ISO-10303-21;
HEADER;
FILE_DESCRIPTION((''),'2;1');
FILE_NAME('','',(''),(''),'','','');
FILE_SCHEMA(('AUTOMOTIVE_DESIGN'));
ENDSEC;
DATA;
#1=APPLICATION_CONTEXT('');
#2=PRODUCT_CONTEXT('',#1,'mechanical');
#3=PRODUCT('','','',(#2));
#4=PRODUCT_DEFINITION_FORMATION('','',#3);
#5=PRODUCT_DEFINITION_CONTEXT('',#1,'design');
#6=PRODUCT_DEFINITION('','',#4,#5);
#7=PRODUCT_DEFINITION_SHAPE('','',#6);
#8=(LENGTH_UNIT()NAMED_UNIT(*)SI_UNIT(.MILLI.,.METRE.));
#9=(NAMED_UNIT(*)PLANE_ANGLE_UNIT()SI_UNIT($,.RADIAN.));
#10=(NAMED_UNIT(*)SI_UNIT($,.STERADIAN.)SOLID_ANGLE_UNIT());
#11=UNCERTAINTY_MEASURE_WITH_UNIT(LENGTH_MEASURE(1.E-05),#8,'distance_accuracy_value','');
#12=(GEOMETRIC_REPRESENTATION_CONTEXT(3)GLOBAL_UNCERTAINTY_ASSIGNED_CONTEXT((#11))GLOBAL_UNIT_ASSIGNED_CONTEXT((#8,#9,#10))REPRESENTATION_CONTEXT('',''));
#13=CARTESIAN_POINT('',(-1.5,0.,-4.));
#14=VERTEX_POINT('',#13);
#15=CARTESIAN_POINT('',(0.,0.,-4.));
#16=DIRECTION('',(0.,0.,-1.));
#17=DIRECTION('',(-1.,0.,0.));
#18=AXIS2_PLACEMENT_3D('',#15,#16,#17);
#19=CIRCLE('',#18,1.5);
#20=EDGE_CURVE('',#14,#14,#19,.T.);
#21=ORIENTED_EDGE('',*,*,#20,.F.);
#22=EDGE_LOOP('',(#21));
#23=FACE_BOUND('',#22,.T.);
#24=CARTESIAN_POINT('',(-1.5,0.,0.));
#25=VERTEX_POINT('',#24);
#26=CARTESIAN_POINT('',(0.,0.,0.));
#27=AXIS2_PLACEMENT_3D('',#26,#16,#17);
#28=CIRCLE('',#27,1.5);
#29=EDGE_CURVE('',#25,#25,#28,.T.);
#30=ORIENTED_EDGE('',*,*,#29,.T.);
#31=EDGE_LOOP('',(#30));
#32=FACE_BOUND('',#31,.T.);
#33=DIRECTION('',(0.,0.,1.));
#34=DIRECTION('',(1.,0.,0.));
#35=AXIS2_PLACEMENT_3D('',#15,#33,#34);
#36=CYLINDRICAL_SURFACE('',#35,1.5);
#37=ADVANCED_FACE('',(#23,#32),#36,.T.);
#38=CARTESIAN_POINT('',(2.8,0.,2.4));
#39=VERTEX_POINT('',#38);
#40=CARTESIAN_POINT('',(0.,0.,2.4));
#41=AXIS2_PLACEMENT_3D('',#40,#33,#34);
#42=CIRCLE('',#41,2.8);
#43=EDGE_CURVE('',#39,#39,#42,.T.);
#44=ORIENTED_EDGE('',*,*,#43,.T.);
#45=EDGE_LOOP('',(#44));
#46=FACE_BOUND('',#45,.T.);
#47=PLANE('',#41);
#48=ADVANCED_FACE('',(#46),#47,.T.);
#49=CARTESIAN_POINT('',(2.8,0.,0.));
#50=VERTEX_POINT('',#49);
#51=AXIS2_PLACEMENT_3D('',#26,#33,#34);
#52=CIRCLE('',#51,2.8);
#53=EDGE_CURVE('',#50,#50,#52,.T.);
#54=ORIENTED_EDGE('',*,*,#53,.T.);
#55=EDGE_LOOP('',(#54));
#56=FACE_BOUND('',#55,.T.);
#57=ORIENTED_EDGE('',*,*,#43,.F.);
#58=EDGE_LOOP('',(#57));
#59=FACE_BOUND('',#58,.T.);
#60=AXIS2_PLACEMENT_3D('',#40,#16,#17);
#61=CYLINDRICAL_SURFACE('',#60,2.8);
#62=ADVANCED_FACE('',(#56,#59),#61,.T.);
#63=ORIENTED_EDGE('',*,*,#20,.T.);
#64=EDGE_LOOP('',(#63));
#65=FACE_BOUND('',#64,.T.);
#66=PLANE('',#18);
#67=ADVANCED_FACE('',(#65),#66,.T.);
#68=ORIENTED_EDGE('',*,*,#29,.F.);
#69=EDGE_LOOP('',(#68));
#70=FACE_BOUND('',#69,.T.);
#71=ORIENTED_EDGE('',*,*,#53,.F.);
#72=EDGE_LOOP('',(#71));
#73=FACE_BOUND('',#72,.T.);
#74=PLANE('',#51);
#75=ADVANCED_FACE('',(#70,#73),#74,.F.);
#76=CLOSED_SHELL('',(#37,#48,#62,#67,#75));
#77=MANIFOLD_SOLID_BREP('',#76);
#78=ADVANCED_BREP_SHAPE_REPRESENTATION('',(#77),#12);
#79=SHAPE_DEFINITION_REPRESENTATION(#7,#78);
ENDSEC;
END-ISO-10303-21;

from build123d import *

# Parameters (mm, degrees)
ESQUISSE1_R        = 2.8
BOSS_EXTRU_1_DEPTH = 2.4
ESQUISSE2_R        = 1.5
BOSS_EXTRU_2_DEPTH = 4


with BuildPart() as part:
    # Esquisse1 → Boss.-Extru.1 (new body)
    with BuildSketch(Plane.XY):
        Circle(ESQUISSE1_R)
    extrude(amount=BOSS_EXTRU_1_DEPTH)

    # Esquisse2 → Boss.-Extru.2 (add)
    with BuildSketch(Plane(origin=(0, 0, 0), x_dir=(-1, 0, 0), z_dir=(0, 0, -1))):
        Circle(ESQUISSE2_R)
    extrude(amount=BOSS_EXTRU_2_DEPTH)


solid = part.part
